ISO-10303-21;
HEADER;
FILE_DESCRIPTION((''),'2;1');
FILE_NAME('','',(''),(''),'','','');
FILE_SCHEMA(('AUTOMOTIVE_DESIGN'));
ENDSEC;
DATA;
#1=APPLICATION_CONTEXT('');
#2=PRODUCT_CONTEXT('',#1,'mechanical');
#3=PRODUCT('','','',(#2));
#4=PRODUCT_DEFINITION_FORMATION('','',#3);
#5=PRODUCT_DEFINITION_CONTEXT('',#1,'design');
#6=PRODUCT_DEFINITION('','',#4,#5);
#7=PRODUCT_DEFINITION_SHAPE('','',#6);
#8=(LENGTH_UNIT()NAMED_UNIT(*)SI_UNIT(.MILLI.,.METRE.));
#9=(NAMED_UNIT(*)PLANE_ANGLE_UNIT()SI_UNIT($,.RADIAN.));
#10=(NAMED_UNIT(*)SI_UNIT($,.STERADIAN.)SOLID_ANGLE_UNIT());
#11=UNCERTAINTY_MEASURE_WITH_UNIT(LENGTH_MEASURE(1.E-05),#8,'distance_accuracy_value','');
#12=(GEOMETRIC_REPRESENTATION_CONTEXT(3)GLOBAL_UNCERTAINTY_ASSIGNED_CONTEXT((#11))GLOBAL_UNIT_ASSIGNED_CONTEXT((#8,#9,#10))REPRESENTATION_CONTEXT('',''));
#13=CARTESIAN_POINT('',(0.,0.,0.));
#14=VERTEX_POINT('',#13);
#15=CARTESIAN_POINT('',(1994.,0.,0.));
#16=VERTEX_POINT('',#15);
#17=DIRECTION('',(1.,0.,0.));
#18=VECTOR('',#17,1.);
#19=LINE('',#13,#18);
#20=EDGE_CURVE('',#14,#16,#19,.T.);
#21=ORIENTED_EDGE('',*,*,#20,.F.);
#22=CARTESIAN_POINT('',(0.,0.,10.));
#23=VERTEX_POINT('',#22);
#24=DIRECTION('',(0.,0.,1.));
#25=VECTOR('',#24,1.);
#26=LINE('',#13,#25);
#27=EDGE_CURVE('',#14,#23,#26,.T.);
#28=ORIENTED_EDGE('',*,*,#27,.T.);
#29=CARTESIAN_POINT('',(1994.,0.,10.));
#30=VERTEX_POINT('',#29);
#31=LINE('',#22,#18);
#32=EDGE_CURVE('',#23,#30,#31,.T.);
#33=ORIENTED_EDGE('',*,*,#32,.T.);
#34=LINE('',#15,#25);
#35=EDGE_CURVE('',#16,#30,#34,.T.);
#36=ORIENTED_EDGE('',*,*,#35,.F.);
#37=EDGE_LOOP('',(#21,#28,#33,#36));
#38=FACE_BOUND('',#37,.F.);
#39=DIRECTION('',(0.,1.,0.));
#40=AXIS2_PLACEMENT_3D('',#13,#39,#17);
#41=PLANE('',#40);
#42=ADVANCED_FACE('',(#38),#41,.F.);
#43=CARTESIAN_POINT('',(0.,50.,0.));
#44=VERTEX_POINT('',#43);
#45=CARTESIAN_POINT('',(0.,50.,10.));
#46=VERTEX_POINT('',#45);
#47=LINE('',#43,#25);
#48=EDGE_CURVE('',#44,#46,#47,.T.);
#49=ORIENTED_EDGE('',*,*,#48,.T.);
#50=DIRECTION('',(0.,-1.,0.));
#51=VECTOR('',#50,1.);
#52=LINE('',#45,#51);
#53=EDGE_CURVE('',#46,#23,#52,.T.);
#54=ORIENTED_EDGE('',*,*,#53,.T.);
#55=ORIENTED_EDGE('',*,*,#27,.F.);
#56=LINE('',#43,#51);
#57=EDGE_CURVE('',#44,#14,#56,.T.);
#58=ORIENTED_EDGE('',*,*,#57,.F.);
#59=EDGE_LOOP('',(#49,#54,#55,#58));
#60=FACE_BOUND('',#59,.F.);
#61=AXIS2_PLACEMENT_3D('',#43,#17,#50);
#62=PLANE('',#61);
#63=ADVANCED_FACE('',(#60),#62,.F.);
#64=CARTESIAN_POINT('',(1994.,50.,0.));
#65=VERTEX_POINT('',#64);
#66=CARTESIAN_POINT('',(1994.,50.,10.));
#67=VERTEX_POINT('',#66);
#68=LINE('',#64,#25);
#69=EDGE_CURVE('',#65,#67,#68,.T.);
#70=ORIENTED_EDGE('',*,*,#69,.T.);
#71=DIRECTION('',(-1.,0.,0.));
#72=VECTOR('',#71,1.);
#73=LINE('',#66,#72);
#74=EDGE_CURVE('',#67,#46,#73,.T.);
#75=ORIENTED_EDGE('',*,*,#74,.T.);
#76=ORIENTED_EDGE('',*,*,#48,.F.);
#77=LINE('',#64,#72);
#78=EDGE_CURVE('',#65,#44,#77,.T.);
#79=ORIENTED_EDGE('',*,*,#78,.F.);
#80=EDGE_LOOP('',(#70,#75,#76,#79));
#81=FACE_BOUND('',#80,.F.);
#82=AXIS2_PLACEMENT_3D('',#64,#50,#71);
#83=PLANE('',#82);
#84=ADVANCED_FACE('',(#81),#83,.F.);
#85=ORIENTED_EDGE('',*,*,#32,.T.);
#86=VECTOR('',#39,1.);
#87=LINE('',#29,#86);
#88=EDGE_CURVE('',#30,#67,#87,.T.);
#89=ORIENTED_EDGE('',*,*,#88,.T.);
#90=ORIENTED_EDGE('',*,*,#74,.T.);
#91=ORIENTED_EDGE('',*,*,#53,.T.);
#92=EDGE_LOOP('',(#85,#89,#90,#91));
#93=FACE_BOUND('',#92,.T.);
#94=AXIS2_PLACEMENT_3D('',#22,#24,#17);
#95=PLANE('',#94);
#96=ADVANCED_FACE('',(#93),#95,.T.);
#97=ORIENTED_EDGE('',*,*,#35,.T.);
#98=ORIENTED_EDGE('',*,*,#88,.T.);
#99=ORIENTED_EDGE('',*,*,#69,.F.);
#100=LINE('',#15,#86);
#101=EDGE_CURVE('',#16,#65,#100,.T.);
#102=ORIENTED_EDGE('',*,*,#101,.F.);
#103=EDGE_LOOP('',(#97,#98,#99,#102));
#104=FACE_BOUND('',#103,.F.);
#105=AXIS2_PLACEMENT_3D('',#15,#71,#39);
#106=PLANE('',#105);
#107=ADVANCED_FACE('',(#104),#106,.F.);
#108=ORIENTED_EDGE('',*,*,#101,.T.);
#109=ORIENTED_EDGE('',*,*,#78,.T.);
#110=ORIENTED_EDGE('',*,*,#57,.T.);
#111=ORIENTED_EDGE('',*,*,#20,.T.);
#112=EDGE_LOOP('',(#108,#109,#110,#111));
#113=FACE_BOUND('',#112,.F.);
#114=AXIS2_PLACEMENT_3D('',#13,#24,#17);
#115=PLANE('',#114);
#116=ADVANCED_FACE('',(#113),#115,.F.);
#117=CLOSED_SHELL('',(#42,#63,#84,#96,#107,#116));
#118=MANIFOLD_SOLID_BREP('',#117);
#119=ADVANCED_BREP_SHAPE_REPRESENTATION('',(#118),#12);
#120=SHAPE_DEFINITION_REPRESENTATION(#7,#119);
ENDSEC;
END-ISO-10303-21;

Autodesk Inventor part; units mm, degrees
ref_plane "YZ Plane" through (0, 0, 0) normal (1, 0, 0) x (0, 1, 0)
ref_plane "XZ Plane" through (0, 0, 0) normal (0, 1, 0) x (-1, 0, 0)
ref_plane "XY Plane" through (0, 0, 0) normal (0, 0, 1) x (1, 0, 0)
sketch "Sketch1" plane through (0, 0, 0) normal (0, 0, 1) x (1, 0, 0)
  line L0 (0, 0) -> (1994, 0)
  line L1 (1994, 0) -> (1994, 50)
  line L2 (1994, 50) -> (0, 50)
  line L3 (0, 50) -> (0, 0)
  dimension "d0" = 50
  dimension "d1" = 1994
extrude "Extrusion1" add sketch "Sketch1" along normal blind 10
properties part number "wood" material "Titanium"
